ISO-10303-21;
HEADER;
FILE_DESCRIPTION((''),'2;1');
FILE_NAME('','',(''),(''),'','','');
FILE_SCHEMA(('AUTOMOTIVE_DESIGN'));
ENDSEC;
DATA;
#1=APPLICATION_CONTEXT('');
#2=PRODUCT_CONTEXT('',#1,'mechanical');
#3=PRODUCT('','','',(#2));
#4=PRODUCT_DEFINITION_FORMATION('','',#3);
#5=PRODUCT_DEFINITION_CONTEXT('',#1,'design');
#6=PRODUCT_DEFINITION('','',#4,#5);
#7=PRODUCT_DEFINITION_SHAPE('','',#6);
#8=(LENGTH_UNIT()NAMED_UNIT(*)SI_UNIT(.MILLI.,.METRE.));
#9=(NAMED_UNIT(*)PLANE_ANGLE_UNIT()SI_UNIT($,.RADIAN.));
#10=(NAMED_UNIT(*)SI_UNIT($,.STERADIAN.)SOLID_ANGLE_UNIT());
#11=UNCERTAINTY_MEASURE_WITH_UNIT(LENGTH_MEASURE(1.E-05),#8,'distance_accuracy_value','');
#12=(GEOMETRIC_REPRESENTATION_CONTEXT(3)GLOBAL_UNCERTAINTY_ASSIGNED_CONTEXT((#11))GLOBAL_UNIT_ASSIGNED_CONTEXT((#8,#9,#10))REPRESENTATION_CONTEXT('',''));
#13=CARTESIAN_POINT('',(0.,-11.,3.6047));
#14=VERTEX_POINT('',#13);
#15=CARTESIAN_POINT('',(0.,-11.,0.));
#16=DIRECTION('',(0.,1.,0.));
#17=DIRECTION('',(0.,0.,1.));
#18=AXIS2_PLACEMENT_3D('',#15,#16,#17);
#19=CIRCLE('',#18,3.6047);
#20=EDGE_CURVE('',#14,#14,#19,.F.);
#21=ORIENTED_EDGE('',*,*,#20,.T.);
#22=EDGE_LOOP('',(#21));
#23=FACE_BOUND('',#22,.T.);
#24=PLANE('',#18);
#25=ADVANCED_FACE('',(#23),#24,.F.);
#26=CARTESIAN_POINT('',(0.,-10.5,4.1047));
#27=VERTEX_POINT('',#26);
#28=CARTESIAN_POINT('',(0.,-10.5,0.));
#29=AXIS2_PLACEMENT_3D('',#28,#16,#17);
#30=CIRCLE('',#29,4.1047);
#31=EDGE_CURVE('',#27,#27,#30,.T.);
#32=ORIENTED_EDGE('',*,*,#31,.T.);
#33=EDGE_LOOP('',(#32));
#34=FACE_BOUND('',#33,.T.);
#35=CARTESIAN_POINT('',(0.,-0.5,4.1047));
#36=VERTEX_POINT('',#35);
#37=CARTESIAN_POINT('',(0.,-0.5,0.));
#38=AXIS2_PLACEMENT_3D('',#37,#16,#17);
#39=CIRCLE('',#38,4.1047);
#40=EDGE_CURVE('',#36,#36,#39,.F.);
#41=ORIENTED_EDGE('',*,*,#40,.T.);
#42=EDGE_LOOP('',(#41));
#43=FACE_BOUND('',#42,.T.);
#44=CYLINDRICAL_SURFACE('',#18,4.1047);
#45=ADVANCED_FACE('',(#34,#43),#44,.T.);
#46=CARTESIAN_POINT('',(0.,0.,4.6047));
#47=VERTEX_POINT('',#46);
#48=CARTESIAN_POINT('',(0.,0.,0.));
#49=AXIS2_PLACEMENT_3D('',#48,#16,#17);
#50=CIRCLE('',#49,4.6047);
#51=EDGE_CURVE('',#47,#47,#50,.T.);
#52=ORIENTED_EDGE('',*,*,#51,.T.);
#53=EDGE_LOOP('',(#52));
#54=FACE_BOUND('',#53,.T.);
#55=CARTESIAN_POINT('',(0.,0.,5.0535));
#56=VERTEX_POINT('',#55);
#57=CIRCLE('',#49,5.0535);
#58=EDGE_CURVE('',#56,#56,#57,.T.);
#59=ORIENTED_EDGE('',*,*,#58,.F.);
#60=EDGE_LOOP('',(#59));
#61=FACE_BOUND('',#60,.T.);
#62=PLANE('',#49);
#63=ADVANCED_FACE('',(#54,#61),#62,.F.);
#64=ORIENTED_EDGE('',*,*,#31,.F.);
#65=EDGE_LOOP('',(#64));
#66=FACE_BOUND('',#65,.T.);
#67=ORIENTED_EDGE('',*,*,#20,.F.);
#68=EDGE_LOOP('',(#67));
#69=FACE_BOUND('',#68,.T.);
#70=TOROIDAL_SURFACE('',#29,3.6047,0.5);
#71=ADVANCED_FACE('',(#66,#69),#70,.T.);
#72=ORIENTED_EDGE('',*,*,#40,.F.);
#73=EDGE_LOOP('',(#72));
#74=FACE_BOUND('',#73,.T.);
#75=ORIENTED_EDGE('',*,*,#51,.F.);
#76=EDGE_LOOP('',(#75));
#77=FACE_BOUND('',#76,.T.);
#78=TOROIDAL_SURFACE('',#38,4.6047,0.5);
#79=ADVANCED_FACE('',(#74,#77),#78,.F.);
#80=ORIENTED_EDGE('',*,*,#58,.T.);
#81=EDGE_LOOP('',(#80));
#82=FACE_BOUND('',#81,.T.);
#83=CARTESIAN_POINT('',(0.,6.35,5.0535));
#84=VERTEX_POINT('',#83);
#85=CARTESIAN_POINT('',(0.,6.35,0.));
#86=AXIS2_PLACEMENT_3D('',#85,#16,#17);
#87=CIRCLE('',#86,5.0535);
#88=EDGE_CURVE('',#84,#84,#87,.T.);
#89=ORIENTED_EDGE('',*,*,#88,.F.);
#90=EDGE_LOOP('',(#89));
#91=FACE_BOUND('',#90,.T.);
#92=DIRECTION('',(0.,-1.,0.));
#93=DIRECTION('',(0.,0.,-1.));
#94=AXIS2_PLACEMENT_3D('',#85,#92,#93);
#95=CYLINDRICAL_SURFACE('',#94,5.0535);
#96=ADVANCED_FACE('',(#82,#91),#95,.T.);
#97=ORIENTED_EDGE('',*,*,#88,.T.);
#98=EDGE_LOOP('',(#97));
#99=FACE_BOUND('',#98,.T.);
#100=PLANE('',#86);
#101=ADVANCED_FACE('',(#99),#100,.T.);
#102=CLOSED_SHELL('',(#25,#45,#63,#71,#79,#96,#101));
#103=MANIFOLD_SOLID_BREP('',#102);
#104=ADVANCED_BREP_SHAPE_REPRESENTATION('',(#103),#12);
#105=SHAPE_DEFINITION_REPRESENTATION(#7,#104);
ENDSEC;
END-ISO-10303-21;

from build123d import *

# Parameters (mm, degrees)
SKETCH1_R           = 5.0535
BOSS_EXTRUDE1_DEPTH = 6.35
SKETCH1_3_R         = 4.1047
BOSS_EXTRUDE2_DEPTH = 11
FILLET2_R           = 0.5


with BuildPart() as part:
    # Sketch1 → Boss-Extrude1 (new body)
    with BuildSketch(Plane(origin=(0, 0, 0), x_dir=(1, 0, 0), z_dir=(0, 1, 0))):
        Circle(SKETCH1_R)
    extrude(amount=BOSS_EXTRUDE1_DEPTH)

    # Sketch1<3> → Boss-Extrude2 (add)
    with BuildSketch(Plane(origin=(0, 0, 0), x_dir=(1, 0, 0), z_dir=(0, 1, 0))):
        Circle(SKETCH1_3_R)
    extrude(amount=-BOSS_EXTRUDE2_DEPTH)

    # Fillet2
    fillet2_edges = [part.edges().sort_by_distance(p)[0] for p in [
        (-4.1047, 0, 0),
        (-4.1047, -11, 0),
    ]]
    fillet(fillet2_edges, radius=FILLET2_R)


solid = part.part
